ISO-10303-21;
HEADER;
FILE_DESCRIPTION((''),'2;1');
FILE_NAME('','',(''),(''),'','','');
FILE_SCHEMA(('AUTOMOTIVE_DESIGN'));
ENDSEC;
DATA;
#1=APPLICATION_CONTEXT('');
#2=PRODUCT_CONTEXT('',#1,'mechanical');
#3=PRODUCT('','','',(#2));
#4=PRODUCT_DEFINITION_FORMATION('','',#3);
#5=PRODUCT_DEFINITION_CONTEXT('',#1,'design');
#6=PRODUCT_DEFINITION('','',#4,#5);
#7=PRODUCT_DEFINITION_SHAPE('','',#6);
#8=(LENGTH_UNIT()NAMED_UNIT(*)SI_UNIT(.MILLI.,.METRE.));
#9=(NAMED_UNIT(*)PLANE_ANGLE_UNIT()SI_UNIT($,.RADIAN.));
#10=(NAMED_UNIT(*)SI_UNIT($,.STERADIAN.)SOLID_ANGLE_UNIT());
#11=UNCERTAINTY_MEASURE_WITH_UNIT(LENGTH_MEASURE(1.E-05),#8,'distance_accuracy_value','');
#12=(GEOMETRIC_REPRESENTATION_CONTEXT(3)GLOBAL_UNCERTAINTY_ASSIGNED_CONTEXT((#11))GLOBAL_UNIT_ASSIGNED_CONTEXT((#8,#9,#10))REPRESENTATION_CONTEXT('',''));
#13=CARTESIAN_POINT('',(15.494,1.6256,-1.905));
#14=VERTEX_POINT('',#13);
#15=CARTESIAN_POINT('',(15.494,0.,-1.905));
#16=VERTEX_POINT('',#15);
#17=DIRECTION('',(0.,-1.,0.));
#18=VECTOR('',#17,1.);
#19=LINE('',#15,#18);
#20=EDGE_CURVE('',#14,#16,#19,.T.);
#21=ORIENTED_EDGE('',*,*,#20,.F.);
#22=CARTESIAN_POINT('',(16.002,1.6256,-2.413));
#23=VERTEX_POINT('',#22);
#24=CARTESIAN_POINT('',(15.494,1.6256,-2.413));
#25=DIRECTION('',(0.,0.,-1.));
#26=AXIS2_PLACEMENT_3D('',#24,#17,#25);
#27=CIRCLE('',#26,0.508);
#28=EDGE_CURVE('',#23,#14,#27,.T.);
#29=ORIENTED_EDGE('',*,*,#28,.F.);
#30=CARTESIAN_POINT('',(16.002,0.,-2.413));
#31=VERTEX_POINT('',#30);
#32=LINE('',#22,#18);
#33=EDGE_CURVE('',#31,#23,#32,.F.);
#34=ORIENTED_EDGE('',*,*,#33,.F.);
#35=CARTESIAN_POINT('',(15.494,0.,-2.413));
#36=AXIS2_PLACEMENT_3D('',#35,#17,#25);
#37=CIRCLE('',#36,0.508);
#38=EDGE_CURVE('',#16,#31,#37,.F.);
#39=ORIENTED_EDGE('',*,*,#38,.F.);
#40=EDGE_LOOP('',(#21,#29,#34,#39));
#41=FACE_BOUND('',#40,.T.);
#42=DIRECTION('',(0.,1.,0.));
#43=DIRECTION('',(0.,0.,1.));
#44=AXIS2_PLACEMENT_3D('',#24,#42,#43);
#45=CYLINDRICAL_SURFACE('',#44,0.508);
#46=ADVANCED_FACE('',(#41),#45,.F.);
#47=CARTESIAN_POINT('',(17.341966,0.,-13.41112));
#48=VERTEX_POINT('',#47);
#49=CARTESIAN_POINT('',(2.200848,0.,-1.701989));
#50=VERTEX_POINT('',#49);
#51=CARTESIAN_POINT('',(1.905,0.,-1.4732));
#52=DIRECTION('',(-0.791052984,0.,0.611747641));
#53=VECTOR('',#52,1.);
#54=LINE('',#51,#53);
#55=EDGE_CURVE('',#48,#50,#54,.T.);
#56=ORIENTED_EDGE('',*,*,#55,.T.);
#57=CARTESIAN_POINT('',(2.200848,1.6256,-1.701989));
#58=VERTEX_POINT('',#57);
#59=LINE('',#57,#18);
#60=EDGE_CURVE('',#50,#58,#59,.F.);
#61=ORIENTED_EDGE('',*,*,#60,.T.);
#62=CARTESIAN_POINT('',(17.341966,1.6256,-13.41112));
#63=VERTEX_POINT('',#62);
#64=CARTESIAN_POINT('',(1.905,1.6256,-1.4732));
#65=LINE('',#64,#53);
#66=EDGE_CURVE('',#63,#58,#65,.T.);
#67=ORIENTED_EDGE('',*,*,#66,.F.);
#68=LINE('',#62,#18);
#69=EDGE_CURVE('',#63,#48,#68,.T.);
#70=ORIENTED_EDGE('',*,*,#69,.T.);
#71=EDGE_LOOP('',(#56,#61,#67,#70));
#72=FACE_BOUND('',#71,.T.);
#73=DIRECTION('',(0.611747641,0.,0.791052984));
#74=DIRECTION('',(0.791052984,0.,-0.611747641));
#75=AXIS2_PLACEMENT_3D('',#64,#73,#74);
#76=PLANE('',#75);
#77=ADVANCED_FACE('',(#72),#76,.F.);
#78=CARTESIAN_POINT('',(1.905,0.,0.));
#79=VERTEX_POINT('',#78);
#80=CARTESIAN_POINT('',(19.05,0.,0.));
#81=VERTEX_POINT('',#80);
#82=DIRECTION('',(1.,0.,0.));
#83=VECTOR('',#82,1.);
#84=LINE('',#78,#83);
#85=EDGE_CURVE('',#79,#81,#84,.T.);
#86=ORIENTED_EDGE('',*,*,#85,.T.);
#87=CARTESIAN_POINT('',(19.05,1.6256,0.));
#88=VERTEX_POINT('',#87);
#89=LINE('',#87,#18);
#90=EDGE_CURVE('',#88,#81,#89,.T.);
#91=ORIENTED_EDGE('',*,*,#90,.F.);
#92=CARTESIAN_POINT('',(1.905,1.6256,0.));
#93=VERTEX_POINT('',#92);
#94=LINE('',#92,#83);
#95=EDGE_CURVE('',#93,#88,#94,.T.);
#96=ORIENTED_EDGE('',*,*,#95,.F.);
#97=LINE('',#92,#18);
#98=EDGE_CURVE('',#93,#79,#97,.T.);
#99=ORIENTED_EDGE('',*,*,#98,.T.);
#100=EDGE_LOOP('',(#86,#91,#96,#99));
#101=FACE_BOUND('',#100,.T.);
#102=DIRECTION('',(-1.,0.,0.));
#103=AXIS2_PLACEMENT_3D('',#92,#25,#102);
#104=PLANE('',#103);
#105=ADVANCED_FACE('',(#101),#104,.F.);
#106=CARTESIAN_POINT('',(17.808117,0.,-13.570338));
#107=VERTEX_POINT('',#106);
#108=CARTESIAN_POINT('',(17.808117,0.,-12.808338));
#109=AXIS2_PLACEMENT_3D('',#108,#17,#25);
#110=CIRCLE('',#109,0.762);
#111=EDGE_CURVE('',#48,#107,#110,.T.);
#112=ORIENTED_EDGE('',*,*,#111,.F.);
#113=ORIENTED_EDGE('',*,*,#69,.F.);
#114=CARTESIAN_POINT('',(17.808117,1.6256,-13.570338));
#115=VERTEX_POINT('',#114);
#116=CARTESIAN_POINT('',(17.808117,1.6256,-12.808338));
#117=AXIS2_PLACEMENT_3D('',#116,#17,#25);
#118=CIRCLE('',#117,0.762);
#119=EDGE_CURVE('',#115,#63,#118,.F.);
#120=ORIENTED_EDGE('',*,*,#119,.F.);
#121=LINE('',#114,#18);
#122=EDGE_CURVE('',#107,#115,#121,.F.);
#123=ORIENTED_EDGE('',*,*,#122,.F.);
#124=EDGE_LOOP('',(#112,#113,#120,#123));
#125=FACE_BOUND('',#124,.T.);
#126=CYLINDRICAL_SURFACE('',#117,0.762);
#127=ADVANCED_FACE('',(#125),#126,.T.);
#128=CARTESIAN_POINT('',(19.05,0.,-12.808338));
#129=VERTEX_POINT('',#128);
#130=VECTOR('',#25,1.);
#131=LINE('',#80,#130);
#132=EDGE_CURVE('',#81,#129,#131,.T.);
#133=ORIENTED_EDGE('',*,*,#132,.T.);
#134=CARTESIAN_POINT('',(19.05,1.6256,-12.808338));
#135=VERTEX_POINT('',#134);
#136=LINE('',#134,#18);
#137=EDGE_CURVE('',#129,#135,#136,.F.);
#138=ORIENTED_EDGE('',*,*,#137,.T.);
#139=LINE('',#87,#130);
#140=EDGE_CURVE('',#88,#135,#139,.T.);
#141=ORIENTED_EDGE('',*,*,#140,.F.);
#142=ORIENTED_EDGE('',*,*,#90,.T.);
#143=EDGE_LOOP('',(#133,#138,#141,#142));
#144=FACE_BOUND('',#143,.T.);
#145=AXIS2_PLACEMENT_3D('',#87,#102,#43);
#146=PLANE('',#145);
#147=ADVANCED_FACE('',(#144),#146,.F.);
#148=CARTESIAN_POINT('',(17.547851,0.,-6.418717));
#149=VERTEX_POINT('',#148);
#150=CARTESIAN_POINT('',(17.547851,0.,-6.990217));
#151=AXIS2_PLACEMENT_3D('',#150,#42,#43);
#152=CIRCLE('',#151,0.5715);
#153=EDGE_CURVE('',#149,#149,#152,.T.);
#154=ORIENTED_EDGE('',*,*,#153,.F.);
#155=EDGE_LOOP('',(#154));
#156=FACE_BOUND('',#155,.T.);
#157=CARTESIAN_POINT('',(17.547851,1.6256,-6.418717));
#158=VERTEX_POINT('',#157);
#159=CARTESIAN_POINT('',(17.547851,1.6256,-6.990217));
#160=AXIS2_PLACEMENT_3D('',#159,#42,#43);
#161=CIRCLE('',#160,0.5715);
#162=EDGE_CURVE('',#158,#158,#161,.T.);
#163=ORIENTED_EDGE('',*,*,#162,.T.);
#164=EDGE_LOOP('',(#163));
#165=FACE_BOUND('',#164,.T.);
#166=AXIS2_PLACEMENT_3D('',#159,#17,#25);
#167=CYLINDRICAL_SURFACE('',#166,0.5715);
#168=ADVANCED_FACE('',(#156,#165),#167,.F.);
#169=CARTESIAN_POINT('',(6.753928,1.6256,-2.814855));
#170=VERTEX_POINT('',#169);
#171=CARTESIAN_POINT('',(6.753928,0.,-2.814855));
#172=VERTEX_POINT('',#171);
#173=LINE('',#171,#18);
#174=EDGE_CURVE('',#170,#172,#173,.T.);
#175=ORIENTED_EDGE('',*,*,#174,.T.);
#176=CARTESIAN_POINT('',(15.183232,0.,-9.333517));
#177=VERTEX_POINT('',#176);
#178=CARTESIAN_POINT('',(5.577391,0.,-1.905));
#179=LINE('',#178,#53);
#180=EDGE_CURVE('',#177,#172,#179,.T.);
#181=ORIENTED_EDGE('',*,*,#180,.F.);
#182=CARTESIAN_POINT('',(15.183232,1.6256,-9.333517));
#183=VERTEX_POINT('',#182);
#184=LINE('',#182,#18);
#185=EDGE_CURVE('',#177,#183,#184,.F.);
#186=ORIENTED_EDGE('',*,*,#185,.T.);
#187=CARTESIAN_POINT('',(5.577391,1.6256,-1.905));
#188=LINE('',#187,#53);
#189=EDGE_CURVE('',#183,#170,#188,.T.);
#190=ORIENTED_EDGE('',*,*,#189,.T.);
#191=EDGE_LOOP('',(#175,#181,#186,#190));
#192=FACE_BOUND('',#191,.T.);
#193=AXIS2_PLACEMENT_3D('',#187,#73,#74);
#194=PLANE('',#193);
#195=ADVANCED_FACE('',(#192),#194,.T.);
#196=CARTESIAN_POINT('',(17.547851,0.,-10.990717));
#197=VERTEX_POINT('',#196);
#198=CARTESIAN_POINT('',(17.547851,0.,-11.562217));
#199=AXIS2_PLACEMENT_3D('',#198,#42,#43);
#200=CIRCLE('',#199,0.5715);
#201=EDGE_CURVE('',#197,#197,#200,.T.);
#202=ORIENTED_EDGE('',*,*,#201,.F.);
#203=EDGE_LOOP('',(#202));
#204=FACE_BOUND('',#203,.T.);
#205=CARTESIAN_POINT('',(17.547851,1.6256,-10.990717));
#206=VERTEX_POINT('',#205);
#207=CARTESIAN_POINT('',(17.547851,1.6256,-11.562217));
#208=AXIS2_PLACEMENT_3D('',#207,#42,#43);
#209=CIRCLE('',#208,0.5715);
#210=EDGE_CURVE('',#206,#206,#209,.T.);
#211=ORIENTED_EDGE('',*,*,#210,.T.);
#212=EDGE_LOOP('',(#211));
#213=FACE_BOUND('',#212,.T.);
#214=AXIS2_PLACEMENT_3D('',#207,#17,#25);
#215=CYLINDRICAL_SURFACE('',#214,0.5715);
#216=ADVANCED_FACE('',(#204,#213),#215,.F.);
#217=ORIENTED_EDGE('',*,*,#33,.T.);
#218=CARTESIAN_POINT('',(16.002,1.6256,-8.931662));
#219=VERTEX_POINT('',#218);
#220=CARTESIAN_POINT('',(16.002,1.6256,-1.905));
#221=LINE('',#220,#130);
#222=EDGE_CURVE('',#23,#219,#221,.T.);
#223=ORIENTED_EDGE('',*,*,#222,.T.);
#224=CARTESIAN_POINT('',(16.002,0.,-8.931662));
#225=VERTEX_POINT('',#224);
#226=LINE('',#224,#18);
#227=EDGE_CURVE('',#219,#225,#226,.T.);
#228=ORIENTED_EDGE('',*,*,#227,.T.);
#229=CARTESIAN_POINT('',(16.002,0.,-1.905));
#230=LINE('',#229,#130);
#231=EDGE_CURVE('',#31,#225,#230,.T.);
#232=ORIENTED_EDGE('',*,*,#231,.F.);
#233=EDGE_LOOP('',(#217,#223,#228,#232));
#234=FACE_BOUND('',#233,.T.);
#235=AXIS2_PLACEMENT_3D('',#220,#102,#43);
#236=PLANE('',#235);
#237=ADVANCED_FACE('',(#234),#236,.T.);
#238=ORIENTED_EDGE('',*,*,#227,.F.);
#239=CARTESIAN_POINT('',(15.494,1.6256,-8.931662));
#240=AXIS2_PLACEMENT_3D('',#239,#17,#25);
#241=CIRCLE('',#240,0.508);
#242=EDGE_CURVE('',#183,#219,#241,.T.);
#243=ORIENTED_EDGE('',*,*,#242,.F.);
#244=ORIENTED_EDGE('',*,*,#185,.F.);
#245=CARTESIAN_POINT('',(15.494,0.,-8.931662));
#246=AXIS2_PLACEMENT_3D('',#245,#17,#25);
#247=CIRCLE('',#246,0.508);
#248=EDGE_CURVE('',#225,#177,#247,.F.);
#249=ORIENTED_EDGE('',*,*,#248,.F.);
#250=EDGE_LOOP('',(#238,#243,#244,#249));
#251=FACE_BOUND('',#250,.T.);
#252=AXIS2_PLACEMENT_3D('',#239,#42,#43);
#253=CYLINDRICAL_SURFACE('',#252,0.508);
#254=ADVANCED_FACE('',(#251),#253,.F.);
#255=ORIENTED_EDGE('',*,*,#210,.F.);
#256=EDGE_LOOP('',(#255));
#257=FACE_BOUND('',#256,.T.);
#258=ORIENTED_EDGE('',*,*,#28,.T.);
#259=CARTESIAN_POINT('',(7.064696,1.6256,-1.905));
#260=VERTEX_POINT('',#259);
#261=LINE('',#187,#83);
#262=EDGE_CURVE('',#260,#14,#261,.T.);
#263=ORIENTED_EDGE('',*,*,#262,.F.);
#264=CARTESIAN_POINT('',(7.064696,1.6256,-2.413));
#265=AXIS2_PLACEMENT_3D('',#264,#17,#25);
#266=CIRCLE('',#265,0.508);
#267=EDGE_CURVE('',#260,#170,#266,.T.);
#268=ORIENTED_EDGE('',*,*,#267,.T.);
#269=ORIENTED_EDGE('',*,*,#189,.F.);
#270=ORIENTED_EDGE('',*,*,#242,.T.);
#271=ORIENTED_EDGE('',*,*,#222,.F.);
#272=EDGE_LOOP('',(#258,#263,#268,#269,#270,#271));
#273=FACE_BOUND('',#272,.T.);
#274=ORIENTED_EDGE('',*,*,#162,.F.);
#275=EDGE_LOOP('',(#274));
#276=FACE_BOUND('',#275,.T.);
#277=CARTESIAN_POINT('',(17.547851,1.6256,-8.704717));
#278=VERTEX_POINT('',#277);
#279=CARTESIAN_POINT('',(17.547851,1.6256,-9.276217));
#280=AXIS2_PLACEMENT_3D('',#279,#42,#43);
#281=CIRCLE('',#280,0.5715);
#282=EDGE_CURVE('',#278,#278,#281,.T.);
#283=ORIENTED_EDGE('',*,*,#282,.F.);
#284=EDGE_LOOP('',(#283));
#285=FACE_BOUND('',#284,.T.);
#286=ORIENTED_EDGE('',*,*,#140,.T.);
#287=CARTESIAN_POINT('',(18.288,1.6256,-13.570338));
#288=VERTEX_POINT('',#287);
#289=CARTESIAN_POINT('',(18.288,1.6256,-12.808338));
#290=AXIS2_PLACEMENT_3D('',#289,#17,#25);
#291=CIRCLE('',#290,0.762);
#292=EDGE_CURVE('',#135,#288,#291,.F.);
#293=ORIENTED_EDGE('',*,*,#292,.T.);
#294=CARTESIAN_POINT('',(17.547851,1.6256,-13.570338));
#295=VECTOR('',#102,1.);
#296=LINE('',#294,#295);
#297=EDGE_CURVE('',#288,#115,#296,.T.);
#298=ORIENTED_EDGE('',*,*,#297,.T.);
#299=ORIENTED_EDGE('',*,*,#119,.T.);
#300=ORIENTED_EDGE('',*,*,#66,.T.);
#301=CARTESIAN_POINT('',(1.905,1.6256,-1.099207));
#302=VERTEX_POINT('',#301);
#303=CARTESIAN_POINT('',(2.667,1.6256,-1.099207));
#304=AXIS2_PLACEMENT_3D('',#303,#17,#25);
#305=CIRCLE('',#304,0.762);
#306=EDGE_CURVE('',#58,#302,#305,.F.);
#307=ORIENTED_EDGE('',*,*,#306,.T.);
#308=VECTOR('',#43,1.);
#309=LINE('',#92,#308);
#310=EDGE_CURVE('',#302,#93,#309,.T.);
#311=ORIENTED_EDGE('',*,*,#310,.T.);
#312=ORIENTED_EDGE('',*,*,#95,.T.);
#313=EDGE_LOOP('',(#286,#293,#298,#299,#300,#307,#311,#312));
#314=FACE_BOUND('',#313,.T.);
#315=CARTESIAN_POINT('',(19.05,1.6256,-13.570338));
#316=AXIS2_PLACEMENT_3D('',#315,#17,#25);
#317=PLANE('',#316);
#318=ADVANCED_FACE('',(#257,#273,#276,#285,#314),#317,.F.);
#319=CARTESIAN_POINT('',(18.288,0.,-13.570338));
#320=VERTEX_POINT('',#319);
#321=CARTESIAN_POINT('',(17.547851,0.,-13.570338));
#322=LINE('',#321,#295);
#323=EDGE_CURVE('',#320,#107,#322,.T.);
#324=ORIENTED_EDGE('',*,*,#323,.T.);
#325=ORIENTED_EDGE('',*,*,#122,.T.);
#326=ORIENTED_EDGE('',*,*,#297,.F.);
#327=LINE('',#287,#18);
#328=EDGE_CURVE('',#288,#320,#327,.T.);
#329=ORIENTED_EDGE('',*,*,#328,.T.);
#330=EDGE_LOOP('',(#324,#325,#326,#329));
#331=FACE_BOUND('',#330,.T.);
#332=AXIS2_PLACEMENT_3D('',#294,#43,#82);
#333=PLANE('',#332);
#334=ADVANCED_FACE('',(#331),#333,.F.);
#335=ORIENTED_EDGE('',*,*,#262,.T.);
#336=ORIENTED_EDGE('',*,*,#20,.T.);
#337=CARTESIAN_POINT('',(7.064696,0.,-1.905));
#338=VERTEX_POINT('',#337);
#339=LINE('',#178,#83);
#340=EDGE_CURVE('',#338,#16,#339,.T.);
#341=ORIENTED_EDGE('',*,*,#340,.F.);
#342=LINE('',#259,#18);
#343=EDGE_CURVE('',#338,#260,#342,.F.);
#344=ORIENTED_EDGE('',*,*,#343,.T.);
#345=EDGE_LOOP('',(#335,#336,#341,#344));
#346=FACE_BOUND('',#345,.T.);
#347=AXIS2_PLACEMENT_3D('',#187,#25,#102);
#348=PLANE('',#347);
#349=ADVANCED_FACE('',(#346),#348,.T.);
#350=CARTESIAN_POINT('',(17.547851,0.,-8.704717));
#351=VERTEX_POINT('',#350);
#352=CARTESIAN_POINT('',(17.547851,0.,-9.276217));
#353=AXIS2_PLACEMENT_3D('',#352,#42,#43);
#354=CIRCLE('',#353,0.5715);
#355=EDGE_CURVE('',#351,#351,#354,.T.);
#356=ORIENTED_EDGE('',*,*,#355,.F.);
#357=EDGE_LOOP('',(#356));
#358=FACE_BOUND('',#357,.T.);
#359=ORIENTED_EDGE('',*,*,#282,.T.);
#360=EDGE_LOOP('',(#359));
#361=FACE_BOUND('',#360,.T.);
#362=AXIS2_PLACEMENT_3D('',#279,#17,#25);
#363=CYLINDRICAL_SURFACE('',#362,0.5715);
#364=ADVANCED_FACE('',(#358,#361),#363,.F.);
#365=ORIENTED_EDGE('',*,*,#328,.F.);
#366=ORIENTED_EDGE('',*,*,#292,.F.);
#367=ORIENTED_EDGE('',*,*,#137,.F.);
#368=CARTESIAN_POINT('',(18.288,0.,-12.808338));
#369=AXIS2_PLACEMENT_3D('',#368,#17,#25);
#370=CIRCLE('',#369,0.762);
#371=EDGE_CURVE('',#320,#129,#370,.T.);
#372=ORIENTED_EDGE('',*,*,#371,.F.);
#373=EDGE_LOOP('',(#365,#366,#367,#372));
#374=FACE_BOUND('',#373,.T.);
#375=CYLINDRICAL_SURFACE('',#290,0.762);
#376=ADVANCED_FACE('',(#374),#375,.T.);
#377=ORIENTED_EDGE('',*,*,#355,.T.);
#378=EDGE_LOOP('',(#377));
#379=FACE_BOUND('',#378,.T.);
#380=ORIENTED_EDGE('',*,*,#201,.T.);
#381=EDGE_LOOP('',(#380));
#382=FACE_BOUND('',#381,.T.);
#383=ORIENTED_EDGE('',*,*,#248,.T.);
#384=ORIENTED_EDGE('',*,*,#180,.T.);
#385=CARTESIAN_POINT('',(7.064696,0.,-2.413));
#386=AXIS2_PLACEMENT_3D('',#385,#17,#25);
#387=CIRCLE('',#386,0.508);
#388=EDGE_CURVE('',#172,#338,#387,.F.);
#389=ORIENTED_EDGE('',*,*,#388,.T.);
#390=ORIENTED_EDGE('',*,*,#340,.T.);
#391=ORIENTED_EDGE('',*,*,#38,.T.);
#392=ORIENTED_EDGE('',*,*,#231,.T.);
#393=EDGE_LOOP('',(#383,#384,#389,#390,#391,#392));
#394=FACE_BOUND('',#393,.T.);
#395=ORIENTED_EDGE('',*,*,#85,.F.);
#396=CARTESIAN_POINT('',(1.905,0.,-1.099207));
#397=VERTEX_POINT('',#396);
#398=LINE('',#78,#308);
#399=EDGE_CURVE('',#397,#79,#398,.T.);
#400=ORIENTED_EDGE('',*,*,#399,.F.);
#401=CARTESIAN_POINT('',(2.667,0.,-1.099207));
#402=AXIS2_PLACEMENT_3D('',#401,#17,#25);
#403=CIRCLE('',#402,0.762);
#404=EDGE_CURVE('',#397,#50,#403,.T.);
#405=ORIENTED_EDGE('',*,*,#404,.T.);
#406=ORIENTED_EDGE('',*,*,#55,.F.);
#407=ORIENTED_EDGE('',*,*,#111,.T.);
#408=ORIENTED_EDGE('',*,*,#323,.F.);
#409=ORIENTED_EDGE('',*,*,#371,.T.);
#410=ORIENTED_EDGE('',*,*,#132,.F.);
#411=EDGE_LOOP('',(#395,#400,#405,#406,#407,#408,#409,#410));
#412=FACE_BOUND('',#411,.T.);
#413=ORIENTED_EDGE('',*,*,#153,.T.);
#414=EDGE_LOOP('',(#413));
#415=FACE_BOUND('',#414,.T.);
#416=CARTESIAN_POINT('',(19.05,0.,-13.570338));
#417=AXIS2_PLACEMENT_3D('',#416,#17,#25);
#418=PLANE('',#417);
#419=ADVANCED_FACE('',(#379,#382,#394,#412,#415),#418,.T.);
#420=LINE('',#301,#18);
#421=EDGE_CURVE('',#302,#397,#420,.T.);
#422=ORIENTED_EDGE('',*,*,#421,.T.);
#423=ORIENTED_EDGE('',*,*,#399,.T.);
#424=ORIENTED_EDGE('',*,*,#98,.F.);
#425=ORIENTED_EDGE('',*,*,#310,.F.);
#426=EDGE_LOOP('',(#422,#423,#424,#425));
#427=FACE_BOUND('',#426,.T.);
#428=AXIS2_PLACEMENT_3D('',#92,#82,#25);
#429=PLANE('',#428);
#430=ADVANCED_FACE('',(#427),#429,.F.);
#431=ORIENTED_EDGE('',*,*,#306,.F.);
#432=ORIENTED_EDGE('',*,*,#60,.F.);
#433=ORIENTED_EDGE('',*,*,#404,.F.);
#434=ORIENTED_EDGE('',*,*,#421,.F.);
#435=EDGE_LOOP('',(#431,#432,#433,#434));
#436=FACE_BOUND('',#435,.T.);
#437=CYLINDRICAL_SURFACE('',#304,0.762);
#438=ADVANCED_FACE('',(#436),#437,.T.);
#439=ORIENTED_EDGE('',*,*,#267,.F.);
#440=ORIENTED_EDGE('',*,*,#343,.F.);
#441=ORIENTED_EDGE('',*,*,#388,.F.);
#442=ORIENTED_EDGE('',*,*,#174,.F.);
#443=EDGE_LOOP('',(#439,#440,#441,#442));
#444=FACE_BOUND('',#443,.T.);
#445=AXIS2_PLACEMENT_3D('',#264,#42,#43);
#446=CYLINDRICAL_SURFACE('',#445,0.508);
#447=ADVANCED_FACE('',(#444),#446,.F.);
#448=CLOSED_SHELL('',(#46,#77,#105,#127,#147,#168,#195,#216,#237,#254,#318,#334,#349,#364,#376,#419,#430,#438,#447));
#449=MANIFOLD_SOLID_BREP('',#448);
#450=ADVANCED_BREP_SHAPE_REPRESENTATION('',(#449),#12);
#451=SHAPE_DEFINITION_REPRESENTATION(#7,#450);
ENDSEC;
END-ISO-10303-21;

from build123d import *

# Parameters (mm, degrees)
SKETCH1_R           = 0.5715
BOSS_EXTRUDE1_DEPTH = 1.6256
FILLET1_R           = 0.508
FILLET2_R           = 0.762


with BuildPart() as part:
    # Sketch1 → Boss-Extrude1 (new body)
    with BuildSketch(Plane(origin=(0, 0, 0), x_dir=(1, 0, 0), z_dir=(0, 1, 0))):
        Polygon((1.905, 1.4732), (17.54785055, 13.570337759), (19.05, 13.570337759), (19.05, 0), (1.905, 0), align=None)
        with Locations(Location((17.54785055, 11.562216741, 0), (0, 0, 270))):
            Circle(SKETCH1_R, mode=Mode.SUBTRACT)
        with Locations(Location((17.54785055, 9.276216741, 0), (0, 0, 270))):
            Circle(SKETCH1_R, mode=Mode.SUBTRACT)
        with Locations(Location((17.54785055, 6.990216741, 0), (0, 0, 270))):
            Circle(SKETCH1_R, mode=Mode.SUBTRACT)
        Polygon((5.577391241, 1.905), (16.002, 1.905), (16.002, 9.96669744), align=None, mode=Mode.SUBTRACT)
    extrude(amount=BOSS_EXTRUDE1_DEPTH)

    # Fillet1
    fillet1_edges = [part.edges().sort_by_distance(p)[0] for p in [
        (16.002, 0.8128, -9.96669744),
        (5.577391241, 0.8128, -1.905),
        (16.002, 0.8128, -1.905),
    ]]
    fillet(fillet1_edges, radius=FILLET1_R)

    # Fillet2
    fillet2_edges = [part.edges().sort_by_distance(p)[0] for p in [
        (1.905, 0.8128, -1.4732),
        (17.54785055, 0.8128, -13.570337759),
        (19.05, 0.8128, -13.570337759),
    ]]
    fillet(fillet2_edges, radius=FILLET2_R)


solid = part.part
